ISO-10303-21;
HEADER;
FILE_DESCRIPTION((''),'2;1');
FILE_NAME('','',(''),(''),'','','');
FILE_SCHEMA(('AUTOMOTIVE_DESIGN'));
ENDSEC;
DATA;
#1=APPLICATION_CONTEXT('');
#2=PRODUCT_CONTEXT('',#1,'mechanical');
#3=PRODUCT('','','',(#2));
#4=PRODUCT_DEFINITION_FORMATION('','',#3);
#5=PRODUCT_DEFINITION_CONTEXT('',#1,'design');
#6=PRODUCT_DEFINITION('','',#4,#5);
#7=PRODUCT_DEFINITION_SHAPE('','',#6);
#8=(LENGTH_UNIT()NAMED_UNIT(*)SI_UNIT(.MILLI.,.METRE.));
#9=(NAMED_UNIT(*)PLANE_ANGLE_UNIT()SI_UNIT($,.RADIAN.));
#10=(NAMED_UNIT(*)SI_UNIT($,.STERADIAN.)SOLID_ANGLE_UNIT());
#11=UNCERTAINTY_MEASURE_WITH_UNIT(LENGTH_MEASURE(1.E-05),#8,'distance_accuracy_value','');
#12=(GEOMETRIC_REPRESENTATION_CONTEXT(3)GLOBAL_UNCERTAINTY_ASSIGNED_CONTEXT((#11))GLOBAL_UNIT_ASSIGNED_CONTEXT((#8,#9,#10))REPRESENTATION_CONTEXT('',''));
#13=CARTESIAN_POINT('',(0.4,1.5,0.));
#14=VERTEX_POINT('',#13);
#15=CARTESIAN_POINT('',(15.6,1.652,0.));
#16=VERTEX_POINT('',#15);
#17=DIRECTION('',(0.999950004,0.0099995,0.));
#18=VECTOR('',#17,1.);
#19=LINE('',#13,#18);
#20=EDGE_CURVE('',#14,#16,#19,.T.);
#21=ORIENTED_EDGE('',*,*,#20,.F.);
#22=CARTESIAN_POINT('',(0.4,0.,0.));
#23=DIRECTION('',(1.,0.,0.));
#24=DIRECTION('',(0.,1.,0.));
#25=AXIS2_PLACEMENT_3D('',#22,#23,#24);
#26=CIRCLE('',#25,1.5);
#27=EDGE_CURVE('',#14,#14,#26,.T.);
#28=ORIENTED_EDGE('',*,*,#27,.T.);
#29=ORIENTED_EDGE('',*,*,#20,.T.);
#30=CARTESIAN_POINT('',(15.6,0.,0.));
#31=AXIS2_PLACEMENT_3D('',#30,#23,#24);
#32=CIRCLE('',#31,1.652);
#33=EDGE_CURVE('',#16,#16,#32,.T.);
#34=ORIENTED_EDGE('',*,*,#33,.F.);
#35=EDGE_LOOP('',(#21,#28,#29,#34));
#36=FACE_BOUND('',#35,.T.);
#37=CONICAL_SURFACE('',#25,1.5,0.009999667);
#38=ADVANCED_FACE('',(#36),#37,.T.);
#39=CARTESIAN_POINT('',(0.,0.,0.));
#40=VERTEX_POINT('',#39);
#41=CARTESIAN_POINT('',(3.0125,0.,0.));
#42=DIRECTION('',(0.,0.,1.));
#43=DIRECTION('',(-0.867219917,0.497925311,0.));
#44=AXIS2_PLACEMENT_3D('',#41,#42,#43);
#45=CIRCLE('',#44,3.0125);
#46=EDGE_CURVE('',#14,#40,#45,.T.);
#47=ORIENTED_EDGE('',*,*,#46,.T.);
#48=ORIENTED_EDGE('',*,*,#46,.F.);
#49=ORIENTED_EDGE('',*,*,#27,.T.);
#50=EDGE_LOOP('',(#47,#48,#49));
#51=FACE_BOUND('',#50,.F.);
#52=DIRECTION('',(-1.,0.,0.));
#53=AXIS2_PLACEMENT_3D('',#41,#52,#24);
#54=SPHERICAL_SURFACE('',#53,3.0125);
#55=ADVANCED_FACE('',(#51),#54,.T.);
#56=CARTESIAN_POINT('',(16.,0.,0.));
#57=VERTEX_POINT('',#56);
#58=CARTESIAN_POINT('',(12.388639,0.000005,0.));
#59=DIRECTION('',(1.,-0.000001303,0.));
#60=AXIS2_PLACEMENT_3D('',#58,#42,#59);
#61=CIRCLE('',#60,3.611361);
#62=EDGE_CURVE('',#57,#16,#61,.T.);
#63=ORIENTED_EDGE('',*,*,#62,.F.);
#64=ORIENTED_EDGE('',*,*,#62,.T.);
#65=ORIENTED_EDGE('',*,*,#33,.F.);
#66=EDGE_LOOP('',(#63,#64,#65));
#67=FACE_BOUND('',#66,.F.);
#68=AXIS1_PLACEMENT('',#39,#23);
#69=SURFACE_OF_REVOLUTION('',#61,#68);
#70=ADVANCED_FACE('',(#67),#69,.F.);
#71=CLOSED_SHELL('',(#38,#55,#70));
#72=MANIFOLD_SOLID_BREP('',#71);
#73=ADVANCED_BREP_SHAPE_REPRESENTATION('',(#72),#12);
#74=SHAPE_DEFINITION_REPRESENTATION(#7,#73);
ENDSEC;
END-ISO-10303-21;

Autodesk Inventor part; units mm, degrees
ref_plane "YZ Plane" through (0, 0, 0) normal (1, 0, 0) x (0, 1, 0)
ref_plane "XZ Plane" through (0, 0, 0) normal (0, 1, 0) x (-1, 0, 0)
ref_plane "XY Plane" through (0, 0, 0) normal (0, 0, 1) x (1, 0, 0)
sketch "Sketch1" plane through (0, 0, 0) normal (0, 0, 1) x (1, 0, 0)
  line L0 (0, 0) -> (16, 0)
  line L1 (0.4, 1.5) -> (15.6, 1.652)
  arc A0 (0.4, 1.5) -> (0, 0) centre (3.0125, 0) ccw
  arc A1 (16, 0) -> (15.6, 1.652) centre (12.3886, 0) ccw
  dimension "d0" = 16
  dimension "d1" = 0.4
  dimension "d2" = 0.4
  dimension "d3" = 3
  dimension "d5" = 3.304
revolve "Body" add sketch "Sketch1" angle 360 about axis through (0, 0, 0) along (1, 0, 0)
equation "\"d0\" = NLG"
equation "\"d1\" = KAH"
equation "\"d2\" = KAH"
equation "\"d3\" = NND"
equation "\"NND\" = 3"
equation "\"NLG\" = 16"
equation "\"KAH\" = 0.4"
equation "\"NLG1\" = 15.2"
equation "\"d35\" = KAH"
equation "\"d36\" = KAH"
properties part number "ISO 2339 - A - 3 x 16" material "Steel"
